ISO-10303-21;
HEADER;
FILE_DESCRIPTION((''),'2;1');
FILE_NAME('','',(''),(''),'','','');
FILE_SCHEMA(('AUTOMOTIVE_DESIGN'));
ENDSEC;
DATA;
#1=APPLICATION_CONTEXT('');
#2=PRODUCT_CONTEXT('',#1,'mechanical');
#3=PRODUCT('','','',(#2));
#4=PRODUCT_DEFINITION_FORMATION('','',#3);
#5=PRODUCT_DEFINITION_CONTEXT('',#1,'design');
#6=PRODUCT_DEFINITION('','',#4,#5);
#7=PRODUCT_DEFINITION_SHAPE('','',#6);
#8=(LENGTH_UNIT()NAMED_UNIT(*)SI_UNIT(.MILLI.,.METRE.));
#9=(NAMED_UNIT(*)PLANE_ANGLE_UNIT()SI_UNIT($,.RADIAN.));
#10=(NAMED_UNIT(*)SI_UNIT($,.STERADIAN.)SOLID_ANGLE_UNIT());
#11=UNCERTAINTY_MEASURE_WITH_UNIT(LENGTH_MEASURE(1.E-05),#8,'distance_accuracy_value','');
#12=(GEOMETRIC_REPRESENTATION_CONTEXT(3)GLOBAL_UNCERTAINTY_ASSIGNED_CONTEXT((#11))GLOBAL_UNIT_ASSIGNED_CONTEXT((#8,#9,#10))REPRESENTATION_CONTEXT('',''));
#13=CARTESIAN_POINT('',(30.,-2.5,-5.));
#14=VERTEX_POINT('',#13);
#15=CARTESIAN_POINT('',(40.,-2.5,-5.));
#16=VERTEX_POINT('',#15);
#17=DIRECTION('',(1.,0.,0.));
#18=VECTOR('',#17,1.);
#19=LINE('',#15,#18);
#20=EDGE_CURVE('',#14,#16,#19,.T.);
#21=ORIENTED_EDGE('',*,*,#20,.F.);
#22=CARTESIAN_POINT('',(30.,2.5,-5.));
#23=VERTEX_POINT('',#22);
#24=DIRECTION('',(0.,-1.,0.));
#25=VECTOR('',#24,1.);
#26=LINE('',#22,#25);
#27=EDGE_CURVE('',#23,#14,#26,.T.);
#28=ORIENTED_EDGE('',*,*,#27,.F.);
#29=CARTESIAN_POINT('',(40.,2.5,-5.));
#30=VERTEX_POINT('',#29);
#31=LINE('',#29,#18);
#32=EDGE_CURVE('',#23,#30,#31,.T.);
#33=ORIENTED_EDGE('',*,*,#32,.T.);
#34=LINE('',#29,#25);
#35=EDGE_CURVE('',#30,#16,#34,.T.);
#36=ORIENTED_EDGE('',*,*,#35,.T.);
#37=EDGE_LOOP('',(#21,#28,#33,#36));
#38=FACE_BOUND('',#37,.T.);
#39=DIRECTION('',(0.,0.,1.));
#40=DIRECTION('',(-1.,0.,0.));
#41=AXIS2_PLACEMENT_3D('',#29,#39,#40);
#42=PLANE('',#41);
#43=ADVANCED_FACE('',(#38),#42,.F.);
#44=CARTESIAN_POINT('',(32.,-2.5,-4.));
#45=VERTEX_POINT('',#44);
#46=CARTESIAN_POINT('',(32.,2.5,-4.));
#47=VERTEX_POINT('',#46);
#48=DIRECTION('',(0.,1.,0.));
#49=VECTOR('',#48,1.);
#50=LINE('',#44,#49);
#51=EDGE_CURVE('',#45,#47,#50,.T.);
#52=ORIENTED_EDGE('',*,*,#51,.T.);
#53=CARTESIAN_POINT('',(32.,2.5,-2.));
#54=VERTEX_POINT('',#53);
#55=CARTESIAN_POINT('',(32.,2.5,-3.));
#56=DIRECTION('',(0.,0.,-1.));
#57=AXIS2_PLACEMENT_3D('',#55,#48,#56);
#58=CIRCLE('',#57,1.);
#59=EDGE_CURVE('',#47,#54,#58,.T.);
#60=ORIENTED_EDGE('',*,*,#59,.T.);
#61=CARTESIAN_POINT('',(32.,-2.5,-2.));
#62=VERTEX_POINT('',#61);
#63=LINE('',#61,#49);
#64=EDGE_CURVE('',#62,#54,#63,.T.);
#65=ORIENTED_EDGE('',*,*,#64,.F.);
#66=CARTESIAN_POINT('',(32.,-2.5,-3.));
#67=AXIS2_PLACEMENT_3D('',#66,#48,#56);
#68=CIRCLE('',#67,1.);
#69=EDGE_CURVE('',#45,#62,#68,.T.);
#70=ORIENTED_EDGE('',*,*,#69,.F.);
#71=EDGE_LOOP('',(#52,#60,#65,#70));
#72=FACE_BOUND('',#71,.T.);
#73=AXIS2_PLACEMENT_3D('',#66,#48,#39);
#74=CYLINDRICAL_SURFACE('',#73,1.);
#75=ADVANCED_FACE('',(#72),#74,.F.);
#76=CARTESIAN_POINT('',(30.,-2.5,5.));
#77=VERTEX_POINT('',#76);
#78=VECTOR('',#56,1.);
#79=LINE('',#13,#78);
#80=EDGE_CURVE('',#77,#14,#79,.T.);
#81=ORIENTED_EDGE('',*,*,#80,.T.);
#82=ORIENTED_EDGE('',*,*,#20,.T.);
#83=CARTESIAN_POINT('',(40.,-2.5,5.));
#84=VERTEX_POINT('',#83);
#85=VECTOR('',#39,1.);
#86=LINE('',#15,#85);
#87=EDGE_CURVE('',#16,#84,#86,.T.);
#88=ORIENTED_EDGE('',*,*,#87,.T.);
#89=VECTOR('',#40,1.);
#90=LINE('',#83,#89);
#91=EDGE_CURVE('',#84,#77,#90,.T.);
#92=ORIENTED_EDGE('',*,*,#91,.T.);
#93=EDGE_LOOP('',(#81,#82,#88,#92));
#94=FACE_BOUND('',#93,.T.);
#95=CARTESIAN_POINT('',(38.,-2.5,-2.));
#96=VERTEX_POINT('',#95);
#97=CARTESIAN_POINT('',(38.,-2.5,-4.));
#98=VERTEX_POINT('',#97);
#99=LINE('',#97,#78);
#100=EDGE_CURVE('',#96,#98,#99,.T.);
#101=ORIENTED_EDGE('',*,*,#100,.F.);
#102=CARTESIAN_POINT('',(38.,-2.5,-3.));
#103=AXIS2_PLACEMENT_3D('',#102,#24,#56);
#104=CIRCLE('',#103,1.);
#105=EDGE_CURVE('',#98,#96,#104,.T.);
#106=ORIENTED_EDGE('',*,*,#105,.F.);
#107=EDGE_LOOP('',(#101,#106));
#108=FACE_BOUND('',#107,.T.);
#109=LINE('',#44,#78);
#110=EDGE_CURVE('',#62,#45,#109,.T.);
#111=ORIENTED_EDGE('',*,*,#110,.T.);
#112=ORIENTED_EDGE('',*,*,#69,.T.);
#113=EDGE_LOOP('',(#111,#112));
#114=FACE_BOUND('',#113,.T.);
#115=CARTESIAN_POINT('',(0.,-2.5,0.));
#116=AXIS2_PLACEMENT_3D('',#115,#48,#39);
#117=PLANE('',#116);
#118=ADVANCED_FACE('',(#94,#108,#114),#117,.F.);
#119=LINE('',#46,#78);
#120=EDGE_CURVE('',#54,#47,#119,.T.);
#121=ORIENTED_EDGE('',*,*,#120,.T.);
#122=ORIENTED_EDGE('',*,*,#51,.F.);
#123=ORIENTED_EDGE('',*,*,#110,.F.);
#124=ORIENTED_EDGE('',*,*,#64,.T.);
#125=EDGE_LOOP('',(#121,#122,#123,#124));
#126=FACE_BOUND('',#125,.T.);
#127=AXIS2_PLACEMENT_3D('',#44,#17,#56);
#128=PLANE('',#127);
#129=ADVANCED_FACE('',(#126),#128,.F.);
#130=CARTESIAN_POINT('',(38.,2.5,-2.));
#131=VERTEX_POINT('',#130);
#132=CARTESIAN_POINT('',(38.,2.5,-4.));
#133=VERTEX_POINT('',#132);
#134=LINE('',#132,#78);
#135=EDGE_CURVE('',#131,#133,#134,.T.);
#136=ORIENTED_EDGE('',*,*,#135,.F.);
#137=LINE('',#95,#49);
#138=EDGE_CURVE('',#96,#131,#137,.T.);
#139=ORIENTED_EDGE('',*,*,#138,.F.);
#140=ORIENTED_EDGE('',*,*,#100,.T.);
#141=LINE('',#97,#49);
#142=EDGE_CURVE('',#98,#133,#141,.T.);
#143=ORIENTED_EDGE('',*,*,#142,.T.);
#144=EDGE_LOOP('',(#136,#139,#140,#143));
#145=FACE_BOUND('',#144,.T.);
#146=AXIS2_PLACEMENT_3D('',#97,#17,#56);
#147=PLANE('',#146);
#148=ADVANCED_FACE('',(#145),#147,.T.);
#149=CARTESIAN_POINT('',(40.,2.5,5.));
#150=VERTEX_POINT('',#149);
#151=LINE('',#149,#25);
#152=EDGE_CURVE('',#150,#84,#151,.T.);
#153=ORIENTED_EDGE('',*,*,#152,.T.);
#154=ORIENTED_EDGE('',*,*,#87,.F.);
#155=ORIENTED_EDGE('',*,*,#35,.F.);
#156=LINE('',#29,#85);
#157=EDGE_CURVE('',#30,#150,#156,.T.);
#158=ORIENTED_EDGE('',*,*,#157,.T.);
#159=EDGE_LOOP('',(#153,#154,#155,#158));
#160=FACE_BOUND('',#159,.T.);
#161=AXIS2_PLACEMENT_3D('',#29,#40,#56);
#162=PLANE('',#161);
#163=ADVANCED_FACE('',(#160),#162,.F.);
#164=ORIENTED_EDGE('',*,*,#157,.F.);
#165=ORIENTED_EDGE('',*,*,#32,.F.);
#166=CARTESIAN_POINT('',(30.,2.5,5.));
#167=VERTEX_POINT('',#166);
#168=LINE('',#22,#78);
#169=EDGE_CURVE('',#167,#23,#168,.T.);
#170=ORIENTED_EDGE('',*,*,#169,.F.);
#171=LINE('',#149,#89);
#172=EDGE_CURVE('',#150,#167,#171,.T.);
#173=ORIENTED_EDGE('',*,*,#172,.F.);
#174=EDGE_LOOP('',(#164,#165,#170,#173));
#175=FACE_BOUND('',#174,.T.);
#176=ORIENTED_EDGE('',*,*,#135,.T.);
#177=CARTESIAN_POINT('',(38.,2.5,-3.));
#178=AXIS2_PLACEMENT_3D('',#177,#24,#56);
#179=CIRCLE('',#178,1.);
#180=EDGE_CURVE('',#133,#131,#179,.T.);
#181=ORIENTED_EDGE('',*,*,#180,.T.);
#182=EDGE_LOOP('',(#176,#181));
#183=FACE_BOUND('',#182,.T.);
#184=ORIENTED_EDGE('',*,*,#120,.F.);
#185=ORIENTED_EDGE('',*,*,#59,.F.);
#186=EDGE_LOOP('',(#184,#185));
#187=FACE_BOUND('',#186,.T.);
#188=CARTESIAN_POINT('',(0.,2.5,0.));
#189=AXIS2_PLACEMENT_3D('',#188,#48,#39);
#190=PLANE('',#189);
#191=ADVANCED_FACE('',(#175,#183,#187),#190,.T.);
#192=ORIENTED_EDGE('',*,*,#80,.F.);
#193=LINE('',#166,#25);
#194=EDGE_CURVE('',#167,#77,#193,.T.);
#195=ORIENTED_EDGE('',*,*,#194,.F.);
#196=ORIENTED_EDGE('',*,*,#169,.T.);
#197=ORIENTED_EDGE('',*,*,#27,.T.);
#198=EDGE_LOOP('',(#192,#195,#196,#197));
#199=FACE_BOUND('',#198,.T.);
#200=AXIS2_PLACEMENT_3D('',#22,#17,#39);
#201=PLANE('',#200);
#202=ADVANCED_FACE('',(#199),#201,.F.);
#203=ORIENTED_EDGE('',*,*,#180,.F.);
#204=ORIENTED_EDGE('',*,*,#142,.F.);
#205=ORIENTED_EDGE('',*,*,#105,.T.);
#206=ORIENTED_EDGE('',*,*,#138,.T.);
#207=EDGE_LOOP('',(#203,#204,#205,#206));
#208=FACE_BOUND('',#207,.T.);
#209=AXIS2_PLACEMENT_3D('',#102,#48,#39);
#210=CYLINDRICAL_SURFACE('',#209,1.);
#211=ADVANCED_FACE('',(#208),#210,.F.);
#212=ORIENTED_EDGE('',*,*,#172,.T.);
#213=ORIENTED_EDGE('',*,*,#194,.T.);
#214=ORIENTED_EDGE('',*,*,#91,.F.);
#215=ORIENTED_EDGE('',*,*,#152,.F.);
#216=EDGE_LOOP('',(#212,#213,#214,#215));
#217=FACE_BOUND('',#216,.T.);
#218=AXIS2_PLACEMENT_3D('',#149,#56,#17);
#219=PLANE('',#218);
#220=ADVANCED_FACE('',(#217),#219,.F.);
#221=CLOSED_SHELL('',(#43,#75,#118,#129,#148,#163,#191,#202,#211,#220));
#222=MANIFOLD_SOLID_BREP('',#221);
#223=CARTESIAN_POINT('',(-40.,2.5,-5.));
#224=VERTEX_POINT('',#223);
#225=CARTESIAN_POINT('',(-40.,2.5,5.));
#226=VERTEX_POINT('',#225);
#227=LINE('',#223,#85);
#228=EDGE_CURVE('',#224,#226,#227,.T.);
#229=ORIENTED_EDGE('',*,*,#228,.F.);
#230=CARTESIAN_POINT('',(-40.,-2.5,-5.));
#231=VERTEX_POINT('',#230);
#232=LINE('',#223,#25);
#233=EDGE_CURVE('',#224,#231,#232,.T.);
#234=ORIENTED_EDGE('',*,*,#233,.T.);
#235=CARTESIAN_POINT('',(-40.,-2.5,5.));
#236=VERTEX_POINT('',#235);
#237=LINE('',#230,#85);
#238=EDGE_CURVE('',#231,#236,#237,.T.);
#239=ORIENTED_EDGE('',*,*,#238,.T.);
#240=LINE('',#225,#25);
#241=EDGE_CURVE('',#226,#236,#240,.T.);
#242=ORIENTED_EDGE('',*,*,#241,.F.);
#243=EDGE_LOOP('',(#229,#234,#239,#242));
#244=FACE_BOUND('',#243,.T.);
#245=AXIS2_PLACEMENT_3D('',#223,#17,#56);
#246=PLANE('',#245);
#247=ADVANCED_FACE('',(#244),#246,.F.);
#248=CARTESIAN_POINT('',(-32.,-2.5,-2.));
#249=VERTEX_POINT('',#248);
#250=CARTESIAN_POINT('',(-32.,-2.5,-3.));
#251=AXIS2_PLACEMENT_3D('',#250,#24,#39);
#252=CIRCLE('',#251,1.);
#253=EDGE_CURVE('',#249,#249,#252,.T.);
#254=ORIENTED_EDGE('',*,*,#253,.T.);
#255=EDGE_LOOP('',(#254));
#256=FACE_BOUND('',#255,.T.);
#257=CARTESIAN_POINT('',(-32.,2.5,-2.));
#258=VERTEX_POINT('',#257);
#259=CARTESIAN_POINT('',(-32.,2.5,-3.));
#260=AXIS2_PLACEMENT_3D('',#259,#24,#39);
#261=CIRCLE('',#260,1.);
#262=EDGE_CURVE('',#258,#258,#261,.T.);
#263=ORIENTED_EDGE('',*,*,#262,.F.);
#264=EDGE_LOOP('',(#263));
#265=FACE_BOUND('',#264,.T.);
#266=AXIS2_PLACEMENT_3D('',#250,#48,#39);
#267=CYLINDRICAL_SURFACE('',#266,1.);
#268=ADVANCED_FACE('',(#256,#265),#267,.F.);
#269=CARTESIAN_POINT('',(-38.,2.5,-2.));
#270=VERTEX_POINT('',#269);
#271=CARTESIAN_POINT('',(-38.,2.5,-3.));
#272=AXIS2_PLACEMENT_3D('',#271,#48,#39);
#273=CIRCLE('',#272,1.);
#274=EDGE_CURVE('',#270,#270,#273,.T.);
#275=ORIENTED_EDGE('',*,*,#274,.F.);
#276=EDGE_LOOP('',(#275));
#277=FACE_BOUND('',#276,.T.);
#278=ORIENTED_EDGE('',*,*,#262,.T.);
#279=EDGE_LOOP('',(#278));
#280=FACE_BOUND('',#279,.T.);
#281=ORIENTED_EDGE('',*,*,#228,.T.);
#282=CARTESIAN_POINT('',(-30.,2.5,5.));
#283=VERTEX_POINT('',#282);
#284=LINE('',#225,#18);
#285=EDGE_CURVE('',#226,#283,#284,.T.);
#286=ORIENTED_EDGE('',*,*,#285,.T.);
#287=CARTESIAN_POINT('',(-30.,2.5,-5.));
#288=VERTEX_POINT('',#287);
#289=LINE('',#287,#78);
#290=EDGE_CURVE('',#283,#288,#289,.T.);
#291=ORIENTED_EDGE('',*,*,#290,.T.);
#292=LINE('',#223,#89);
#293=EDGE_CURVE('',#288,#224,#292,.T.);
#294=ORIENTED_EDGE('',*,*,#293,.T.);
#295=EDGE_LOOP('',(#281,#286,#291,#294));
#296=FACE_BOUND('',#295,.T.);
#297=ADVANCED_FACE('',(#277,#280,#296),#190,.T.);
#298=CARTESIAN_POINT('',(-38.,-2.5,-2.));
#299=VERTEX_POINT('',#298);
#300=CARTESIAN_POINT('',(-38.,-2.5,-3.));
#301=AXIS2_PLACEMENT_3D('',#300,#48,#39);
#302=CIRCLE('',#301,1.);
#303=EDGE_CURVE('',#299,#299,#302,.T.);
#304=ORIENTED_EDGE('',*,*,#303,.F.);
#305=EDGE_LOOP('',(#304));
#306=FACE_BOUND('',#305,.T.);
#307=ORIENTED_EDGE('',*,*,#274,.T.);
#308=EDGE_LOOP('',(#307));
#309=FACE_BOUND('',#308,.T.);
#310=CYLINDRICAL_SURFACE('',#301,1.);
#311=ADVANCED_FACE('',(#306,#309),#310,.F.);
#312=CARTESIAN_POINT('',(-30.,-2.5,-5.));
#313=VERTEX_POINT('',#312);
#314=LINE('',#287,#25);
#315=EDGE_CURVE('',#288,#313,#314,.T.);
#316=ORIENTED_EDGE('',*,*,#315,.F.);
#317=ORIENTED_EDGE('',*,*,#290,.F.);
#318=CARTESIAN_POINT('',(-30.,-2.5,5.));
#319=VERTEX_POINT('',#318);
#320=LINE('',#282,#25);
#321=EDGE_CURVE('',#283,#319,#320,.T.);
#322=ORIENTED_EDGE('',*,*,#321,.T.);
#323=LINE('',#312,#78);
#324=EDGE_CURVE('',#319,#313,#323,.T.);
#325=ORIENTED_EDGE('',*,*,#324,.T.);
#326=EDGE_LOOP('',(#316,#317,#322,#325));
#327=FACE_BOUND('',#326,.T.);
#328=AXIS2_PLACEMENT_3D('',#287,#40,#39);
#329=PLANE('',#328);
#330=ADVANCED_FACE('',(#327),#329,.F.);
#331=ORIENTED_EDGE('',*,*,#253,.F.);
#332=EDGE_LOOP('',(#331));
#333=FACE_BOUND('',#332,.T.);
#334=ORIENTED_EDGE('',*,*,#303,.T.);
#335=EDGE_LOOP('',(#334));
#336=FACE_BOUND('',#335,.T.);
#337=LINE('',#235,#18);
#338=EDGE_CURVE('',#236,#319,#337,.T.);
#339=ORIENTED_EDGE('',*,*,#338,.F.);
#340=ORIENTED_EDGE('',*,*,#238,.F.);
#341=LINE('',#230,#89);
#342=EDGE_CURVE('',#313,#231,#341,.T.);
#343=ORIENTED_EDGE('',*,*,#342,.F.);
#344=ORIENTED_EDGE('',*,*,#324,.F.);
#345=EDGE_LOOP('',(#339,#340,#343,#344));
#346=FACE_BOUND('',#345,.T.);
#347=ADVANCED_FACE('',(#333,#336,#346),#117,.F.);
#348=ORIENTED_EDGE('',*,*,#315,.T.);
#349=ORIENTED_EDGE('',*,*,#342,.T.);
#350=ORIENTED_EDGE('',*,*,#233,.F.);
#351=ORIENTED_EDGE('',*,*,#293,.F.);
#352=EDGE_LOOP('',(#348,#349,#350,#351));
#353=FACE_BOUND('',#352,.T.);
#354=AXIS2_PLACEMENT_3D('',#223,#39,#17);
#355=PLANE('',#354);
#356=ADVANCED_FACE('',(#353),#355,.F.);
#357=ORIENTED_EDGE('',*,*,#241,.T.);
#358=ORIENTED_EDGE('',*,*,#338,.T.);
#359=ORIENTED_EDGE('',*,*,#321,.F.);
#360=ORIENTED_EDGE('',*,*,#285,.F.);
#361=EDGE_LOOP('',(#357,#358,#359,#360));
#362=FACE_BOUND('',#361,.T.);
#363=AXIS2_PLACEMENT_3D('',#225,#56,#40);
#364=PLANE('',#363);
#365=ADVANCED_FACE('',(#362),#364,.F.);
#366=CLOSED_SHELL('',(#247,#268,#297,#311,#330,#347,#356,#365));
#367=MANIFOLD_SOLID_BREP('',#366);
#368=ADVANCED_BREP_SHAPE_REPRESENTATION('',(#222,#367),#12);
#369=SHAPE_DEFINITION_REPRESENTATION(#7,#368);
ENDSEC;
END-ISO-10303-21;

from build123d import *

# Parameters (mm, degrees)
SKETCH1_W           = 10
SKETCH1_H           = 10
BOSS_EXTRUDE1_DEPTH = 2.5
SKETCH3_R           = 1
CUT_EXTRUDE2_DEPTH  = 6
CUT_EXTRUDE3_DEPTH  = 6


with BuildPart() as part:
    # Sketch1 → Boss-Extrude1 (new body, symmetric)
    with BuildSketch(Plane(origin=(0, 0, 0), x_dir=(1, 0, 0), z_dir=(0, 1, 0))):
        with Locations((-35, 0)):
            Rectangle(SKETCH1_W, SKETCH1_H)
    extrude(amount=BOSS_EXTRUDE1_DEPTH, both=True)


with BuildPart() as body_2:
    # Mirror1: mirrored copy
    add(part.part.mirror(Plane(origin=(0, 0, 0), x_dir=(0, 0, 1), z_dir=(1, 0, 0))))

    # Sketch4 → Cut-Extrude3 (cut, through all)
    with BuildSketch(Plane(origin=(0, 2.5, 0), x_dir=(1, 0, 0), z_dir=(0, 1, 0))):
        with BuildLine():
            Line((32, 4), (32, 2))
            ThreePointArc((32, 2), (31, 3), (32, 4))
        make_face()
    cut_extrude3 = extrude(amount=-CUT_EXTRUDE3_DEPTH, mode=Mode.SUBTRACT)

    # Mirror4: Cut-Extrude3 across plane
    add(cut_extrude3.mirror(Plane.ZY.offset(-35)), mode=Mode.SUBTRACT)


with BuildPart() as part_1:
    add(part.part)

    # Sketch3 → Cut-Extrude2 (cut, through all)
    with BuildSketch(Plane(origin=(0, 2.5, 0), x_dir=(1, 0, 0), z_dir=(0, 1, 0))):
        with Locations(Location((-38, 3, 0), (0, 0, 270))):  # turned: the seam where the file's is
            Circle(SKETCH3_R)
    cut_extrude2 = extrude(amount=-CUT_EXTRUDE2_DEPTH, mode=Mode.SUBTRACT)

    # Mirror3: Cut-Extrude2 across plane
    add(cut_extrude2.mirror(Plane.ZY.offset(35)), mode=Mode.SUBTRACT)


solid = Compound([body_2.part, part_1.part])
